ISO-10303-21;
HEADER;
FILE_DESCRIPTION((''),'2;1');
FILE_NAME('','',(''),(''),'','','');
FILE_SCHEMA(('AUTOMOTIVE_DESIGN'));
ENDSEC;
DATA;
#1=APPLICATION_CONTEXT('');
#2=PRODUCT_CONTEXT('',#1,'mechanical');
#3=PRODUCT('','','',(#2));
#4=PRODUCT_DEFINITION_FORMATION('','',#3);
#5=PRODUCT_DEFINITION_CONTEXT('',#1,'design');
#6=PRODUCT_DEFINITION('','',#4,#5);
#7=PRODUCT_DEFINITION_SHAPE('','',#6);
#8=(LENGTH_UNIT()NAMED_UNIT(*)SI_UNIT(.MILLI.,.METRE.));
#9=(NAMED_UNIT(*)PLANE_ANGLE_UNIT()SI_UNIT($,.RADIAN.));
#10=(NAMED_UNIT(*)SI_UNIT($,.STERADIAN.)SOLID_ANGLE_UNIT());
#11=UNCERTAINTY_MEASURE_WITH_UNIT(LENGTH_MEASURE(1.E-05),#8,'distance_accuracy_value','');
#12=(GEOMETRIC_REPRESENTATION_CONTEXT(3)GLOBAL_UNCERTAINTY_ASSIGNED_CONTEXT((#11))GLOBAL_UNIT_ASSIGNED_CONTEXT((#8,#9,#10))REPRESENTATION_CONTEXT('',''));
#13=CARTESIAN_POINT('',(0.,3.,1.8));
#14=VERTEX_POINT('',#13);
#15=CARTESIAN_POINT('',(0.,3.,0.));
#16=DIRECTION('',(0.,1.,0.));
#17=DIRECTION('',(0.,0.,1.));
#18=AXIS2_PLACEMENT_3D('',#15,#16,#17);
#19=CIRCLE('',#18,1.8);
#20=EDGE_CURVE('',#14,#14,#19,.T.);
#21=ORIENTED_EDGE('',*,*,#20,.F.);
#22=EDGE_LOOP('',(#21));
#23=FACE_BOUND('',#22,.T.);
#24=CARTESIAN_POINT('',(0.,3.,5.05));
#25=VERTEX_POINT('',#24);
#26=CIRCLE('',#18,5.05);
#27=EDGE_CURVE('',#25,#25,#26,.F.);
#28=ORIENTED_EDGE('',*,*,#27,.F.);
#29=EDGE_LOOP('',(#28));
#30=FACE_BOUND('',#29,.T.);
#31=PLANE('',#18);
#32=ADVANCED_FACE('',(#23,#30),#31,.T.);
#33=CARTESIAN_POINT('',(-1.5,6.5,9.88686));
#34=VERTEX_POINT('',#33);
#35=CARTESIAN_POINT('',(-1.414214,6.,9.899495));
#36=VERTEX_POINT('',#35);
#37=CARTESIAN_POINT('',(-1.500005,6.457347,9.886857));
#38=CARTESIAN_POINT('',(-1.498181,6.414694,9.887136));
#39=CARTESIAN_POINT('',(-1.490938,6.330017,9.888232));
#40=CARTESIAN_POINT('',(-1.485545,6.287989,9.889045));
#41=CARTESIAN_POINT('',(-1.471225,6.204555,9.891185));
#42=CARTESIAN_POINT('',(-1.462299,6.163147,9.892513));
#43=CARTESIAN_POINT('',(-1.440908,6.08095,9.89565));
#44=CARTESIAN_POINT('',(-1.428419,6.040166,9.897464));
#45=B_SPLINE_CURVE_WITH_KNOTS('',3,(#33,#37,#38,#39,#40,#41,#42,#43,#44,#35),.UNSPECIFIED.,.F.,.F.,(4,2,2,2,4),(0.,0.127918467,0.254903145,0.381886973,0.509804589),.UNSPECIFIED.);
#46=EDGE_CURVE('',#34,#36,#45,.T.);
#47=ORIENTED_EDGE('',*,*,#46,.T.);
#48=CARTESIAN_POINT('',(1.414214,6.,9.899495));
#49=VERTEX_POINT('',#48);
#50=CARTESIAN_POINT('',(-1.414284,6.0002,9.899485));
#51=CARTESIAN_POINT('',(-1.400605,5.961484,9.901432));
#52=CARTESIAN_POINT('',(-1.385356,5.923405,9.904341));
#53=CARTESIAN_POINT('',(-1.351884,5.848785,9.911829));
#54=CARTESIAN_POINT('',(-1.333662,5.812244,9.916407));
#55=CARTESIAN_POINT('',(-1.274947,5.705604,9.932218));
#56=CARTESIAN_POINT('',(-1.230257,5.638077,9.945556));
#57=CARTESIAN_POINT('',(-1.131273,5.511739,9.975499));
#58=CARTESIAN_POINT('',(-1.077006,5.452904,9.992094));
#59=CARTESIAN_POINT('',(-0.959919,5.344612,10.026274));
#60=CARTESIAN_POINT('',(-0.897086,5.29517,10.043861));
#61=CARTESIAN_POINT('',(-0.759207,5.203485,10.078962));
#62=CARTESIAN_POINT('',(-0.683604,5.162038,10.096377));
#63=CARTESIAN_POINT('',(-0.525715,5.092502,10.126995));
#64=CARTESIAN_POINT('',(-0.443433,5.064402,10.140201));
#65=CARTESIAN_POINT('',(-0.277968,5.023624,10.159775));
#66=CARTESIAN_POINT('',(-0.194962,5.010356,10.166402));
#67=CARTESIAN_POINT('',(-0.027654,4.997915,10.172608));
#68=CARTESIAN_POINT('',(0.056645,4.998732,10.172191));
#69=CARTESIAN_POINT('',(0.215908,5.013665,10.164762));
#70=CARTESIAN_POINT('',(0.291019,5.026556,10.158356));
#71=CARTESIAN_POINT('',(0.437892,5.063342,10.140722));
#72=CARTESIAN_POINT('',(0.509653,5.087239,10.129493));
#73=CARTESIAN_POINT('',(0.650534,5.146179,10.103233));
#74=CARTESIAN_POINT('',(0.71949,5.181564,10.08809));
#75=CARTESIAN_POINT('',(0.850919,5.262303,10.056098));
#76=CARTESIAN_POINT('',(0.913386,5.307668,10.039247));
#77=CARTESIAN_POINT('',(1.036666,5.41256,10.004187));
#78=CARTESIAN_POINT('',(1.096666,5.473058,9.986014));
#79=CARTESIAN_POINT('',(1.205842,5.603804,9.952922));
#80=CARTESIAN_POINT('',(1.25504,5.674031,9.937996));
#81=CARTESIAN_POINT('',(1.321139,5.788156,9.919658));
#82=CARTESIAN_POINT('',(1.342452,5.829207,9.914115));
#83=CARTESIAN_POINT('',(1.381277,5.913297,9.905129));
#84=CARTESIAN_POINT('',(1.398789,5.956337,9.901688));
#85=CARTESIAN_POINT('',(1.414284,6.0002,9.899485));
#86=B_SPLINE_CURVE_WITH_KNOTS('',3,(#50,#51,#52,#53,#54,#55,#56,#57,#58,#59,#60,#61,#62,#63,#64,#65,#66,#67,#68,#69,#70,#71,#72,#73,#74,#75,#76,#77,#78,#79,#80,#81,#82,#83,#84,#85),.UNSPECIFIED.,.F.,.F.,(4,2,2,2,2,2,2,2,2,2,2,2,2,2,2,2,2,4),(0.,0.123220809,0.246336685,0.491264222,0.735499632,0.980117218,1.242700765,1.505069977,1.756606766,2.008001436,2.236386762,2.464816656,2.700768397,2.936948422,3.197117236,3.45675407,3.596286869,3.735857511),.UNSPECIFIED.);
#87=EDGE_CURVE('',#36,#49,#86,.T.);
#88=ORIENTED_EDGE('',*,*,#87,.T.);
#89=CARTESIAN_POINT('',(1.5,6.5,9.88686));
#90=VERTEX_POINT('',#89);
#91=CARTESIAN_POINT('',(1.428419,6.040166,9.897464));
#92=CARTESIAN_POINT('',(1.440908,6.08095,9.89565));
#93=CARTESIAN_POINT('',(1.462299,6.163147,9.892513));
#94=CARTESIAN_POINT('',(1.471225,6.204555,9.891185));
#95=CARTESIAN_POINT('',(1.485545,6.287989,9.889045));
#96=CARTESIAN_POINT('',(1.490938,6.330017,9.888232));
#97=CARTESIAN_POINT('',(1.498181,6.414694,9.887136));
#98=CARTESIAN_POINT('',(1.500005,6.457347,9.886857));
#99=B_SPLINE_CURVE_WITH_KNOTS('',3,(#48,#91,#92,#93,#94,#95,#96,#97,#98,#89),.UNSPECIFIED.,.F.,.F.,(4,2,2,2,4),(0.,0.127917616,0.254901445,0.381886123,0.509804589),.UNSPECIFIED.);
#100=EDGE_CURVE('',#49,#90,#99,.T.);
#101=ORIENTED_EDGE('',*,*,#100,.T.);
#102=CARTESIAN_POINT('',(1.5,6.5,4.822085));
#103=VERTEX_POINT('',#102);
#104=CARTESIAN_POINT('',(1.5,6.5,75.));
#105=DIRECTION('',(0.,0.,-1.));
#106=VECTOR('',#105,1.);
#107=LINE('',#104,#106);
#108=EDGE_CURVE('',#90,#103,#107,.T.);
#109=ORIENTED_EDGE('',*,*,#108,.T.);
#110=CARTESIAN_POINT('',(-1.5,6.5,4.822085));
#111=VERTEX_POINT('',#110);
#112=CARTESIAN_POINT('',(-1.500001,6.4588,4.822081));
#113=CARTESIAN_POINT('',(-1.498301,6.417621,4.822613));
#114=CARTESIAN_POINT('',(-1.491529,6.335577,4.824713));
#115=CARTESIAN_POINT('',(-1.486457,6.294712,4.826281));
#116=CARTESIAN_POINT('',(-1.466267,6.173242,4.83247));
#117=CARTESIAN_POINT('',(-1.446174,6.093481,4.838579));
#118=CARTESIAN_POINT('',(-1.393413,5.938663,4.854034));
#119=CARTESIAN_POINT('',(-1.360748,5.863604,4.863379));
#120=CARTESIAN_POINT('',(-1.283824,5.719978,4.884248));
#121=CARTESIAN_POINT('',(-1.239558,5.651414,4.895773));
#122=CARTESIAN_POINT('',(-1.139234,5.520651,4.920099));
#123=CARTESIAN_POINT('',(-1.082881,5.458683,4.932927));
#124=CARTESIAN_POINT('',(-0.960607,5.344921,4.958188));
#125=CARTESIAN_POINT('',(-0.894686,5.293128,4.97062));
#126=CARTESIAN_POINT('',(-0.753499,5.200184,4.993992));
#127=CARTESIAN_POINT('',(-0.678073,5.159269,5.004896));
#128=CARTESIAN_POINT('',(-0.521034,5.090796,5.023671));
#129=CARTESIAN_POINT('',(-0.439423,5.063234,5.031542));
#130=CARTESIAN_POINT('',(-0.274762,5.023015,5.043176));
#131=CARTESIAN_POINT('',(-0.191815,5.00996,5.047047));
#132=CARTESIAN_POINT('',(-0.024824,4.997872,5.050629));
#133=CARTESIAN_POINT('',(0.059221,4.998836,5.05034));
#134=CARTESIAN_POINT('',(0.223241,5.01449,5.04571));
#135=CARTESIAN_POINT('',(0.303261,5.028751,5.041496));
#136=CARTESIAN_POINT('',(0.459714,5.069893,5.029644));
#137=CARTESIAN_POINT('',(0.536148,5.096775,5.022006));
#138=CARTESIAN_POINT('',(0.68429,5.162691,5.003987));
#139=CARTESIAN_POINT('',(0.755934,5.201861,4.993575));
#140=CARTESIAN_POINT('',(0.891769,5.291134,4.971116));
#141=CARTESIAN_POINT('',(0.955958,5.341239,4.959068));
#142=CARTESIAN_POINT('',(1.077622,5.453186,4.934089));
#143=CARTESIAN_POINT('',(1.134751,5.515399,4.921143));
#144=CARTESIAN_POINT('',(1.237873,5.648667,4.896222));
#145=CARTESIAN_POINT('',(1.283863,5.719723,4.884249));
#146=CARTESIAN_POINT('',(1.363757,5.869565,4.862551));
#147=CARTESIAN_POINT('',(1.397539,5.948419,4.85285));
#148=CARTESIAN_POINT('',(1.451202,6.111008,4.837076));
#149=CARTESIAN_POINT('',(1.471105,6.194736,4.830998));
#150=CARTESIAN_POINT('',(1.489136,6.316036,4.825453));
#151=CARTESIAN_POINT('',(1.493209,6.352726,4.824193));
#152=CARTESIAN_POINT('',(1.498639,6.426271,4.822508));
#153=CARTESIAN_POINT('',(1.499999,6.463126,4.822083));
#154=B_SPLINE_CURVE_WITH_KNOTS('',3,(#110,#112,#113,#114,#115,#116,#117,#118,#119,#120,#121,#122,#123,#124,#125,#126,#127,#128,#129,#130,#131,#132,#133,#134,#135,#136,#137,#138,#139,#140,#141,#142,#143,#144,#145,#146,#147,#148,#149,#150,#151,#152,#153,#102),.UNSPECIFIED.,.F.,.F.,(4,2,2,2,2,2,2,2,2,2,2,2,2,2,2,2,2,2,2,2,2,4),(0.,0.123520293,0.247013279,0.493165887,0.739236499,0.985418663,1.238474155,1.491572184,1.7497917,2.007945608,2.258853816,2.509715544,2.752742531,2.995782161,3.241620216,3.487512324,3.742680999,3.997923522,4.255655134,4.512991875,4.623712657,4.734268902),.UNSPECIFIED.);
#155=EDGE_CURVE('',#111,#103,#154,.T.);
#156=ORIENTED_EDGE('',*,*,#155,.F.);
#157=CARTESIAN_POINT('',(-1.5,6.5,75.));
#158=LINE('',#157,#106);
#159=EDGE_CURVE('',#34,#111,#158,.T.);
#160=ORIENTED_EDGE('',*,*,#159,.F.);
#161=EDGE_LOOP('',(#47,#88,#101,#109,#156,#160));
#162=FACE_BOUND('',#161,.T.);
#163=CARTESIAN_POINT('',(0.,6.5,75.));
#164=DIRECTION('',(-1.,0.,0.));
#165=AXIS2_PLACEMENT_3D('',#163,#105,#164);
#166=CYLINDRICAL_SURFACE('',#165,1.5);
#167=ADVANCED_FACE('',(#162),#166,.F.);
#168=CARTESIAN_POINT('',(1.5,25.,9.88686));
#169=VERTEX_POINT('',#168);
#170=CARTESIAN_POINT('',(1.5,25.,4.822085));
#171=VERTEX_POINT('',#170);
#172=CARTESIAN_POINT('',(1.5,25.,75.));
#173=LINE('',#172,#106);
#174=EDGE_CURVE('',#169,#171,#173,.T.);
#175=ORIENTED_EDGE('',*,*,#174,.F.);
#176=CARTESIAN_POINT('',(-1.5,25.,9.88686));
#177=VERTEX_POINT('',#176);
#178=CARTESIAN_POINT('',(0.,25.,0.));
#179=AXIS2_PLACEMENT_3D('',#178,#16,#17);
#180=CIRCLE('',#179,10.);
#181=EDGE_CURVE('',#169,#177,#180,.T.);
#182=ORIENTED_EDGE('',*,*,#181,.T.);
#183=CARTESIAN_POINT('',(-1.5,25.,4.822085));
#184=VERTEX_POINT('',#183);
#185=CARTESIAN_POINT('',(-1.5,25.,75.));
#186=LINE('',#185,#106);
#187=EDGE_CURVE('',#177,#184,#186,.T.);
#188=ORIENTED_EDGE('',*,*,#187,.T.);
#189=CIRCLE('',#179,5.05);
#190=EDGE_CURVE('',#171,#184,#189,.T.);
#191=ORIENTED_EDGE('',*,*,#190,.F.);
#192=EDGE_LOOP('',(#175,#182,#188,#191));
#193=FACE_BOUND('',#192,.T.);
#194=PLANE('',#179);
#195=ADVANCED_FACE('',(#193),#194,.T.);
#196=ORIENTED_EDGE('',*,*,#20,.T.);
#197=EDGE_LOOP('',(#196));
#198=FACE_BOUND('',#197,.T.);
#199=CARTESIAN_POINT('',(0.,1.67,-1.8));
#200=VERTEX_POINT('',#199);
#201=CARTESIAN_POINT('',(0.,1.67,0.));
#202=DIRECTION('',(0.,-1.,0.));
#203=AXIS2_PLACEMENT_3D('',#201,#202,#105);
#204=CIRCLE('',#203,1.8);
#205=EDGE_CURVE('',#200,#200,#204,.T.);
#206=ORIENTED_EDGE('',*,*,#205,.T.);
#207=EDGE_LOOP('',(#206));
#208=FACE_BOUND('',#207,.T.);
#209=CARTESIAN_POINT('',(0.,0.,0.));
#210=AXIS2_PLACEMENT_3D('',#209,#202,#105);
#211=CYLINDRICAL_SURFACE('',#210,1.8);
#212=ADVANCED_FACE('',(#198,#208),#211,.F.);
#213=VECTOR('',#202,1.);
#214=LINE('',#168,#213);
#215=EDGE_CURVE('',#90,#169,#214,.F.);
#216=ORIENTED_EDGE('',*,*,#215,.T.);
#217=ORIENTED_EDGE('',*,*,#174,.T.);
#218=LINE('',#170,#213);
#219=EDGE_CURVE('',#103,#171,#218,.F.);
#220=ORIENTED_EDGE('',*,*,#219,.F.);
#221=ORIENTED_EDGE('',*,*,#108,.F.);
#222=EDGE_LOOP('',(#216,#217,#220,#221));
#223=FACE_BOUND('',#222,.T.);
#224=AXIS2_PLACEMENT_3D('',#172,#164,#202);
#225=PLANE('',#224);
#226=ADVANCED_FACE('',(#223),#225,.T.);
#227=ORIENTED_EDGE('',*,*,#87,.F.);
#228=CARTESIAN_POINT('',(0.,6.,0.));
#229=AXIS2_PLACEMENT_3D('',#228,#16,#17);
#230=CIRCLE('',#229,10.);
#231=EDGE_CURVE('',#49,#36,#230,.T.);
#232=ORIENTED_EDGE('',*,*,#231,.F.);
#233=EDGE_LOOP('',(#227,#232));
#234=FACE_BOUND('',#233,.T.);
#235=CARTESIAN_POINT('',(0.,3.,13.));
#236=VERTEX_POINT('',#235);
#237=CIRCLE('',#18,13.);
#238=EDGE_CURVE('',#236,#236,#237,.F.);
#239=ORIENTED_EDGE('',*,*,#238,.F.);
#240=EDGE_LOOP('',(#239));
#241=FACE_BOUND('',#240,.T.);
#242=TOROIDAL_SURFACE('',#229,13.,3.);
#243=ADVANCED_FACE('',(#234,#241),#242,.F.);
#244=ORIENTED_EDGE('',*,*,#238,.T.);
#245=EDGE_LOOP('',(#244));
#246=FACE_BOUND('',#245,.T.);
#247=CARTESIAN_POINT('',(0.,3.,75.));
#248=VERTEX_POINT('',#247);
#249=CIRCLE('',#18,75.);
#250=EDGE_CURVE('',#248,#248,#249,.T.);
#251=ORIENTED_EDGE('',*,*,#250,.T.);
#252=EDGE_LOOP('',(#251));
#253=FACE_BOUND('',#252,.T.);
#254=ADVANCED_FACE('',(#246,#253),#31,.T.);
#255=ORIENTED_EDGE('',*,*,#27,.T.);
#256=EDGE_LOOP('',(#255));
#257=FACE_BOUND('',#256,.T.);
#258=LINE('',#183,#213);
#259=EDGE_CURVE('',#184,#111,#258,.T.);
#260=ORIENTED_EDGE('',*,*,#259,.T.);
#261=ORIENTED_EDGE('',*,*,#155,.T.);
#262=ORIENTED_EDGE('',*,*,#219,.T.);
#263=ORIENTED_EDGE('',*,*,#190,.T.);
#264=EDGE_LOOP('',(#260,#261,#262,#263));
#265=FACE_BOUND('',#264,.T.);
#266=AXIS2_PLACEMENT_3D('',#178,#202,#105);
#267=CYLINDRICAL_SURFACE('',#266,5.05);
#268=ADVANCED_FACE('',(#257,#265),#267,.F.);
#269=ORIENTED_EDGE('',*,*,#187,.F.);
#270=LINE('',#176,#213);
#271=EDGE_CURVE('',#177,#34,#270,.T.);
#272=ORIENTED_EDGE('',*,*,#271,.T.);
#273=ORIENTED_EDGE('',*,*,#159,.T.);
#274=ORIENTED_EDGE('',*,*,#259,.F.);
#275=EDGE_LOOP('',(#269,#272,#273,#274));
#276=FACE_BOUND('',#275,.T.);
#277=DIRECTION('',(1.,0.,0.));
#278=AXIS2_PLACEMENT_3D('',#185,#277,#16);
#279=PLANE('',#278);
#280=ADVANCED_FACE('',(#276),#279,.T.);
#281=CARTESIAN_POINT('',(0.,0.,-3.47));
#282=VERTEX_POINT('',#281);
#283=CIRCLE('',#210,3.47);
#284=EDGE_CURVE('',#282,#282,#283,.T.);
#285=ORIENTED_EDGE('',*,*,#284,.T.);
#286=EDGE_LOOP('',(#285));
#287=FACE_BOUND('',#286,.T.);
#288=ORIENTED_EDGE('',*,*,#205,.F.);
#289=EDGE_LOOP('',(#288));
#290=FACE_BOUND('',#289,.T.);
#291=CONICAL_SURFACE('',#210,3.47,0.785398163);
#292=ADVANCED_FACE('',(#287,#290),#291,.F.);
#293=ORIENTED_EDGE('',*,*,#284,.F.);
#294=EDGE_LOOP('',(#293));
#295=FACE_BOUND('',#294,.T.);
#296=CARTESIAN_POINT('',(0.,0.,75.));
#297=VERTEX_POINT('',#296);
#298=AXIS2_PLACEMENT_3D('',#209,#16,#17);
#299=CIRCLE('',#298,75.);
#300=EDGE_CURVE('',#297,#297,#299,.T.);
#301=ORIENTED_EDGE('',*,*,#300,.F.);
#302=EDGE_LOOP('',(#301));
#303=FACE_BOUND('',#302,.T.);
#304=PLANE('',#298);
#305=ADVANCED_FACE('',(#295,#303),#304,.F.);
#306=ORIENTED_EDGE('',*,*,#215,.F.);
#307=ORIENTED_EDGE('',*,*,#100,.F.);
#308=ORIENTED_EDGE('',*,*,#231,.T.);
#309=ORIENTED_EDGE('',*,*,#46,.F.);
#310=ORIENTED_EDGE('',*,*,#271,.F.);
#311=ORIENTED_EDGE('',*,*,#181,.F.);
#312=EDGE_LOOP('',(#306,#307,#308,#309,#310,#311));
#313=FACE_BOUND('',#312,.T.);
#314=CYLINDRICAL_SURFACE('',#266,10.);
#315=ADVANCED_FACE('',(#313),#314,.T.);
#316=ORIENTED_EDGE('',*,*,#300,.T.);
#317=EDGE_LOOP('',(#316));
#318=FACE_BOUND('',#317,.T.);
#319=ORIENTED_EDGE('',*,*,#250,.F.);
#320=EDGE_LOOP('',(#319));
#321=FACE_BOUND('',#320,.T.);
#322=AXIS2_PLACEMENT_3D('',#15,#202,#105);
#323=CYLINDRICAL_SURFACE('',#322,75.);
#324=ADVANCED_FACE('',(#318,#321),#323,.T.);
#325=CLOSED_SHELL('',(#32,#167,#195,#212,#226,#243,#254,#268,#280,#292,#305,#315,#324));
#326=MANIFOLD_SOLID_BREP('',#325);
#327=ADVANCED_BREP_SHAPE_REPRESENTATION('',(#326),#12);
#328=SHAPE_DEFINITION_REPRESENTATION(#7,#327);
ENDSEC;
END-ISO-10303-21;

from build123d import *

# Parameters (mm, degrees)
SKETCH1_R                                            = 75
BOSS_EXTRUDE1_DEPTH                                  = 3
SKETCH2_R                                            = 10
SKETCH2_R_2                                          = 5.05
BOSS_EXTRUDE2_DEPTH                                  = 22
FILLET1_R                                            = 3
CUT_EXTRUDE1_DEPTH                                   = 76
CSK_FOR_M3_HEX_SOCKET_COUNTERSUNK_HEAD_S_D           = 3.6
CSK_FOR_M3_HEX_SOCKET_COUNTERSUNK_HEAD_S_CSINK_D     = 6.94
CSK_FOR_M3_HEX_SOCKET_COUNTERSUNK_HEAD_S_CSINK_ANGLE = 90


with BuildPart() as part:
    # Sketch1 → Boss-Extrude1 (new body)
    with BuildSketch(Plane(origin=(0, 0, 0), x_dir=(1, 0, 0), z_dir=(0, 1, 0))):
        Circle(SKETCH1_R)
    extrude(amount=BOSS_EXTRUDE1_DEPTH)

    # Sketch2 → Boss-Extrude2 (add)
    with BuildSketch(Plane(origin=(0, 3, 0), x_dir=(1, 0, 0), z_dir=(0, 1, 0))):
        Circle(SKETCH2_R)
        Circle(SKETCH2_R_2, mode=Mode.SUBTRACT)
    extrude(amount=BOSS_EXTRUDE2_DEPTH)

    # Fillet1
    fillet1_edges = [part.edges().sort_by_distance(p)[0] for p in [
        (-10, 3, 0),
    ]]
    fillet(fillet1_edges, radius=FILLET1_R)

    # Sketch3 → Cut-Extrude1 (cut, through all)
    with BuildSketch(Plane.XY):
        with BuildLine():
            Line((1.5, 25), (1.5, 6.5))
            ThreePointArc((1.5, 6.5), (0, 5), (-1.5, 6.5))
            Line((-1.5, 6.5), (-1.5, 25))
            ThreePointArc((-1.5, 25), (0, 26.5), (1.5, 25))
        make_face()
    extrude(amount=CUT_EXTRUDE1_DEPTH, mode=Mode.SUBTRACT)

    # CSK for M3 Hex Socket Countersunk Head Screw1 (through all)
    with Locations(Plane(origin=(0, 0, 0), x_dir=(-1, 0, 0), z_dir=(0, -1, 0))):
        with Locations((0, 0)):
            CounterSinkHole(CSK_FOR_M3_HEX_SOCKET_COUNTERSUNK_HEAD_S_D / 2, CSK_FOR_M3_HEX_SOCKET_COUNTERSUNK_HEAD_S_CSINK_D / 2, counter_sink_angle=CSK_FOR_M3_HEX_SOCKET_COUNTERSUNK_HEAD_S_CSINK_ANGLE)


solid = part.part
